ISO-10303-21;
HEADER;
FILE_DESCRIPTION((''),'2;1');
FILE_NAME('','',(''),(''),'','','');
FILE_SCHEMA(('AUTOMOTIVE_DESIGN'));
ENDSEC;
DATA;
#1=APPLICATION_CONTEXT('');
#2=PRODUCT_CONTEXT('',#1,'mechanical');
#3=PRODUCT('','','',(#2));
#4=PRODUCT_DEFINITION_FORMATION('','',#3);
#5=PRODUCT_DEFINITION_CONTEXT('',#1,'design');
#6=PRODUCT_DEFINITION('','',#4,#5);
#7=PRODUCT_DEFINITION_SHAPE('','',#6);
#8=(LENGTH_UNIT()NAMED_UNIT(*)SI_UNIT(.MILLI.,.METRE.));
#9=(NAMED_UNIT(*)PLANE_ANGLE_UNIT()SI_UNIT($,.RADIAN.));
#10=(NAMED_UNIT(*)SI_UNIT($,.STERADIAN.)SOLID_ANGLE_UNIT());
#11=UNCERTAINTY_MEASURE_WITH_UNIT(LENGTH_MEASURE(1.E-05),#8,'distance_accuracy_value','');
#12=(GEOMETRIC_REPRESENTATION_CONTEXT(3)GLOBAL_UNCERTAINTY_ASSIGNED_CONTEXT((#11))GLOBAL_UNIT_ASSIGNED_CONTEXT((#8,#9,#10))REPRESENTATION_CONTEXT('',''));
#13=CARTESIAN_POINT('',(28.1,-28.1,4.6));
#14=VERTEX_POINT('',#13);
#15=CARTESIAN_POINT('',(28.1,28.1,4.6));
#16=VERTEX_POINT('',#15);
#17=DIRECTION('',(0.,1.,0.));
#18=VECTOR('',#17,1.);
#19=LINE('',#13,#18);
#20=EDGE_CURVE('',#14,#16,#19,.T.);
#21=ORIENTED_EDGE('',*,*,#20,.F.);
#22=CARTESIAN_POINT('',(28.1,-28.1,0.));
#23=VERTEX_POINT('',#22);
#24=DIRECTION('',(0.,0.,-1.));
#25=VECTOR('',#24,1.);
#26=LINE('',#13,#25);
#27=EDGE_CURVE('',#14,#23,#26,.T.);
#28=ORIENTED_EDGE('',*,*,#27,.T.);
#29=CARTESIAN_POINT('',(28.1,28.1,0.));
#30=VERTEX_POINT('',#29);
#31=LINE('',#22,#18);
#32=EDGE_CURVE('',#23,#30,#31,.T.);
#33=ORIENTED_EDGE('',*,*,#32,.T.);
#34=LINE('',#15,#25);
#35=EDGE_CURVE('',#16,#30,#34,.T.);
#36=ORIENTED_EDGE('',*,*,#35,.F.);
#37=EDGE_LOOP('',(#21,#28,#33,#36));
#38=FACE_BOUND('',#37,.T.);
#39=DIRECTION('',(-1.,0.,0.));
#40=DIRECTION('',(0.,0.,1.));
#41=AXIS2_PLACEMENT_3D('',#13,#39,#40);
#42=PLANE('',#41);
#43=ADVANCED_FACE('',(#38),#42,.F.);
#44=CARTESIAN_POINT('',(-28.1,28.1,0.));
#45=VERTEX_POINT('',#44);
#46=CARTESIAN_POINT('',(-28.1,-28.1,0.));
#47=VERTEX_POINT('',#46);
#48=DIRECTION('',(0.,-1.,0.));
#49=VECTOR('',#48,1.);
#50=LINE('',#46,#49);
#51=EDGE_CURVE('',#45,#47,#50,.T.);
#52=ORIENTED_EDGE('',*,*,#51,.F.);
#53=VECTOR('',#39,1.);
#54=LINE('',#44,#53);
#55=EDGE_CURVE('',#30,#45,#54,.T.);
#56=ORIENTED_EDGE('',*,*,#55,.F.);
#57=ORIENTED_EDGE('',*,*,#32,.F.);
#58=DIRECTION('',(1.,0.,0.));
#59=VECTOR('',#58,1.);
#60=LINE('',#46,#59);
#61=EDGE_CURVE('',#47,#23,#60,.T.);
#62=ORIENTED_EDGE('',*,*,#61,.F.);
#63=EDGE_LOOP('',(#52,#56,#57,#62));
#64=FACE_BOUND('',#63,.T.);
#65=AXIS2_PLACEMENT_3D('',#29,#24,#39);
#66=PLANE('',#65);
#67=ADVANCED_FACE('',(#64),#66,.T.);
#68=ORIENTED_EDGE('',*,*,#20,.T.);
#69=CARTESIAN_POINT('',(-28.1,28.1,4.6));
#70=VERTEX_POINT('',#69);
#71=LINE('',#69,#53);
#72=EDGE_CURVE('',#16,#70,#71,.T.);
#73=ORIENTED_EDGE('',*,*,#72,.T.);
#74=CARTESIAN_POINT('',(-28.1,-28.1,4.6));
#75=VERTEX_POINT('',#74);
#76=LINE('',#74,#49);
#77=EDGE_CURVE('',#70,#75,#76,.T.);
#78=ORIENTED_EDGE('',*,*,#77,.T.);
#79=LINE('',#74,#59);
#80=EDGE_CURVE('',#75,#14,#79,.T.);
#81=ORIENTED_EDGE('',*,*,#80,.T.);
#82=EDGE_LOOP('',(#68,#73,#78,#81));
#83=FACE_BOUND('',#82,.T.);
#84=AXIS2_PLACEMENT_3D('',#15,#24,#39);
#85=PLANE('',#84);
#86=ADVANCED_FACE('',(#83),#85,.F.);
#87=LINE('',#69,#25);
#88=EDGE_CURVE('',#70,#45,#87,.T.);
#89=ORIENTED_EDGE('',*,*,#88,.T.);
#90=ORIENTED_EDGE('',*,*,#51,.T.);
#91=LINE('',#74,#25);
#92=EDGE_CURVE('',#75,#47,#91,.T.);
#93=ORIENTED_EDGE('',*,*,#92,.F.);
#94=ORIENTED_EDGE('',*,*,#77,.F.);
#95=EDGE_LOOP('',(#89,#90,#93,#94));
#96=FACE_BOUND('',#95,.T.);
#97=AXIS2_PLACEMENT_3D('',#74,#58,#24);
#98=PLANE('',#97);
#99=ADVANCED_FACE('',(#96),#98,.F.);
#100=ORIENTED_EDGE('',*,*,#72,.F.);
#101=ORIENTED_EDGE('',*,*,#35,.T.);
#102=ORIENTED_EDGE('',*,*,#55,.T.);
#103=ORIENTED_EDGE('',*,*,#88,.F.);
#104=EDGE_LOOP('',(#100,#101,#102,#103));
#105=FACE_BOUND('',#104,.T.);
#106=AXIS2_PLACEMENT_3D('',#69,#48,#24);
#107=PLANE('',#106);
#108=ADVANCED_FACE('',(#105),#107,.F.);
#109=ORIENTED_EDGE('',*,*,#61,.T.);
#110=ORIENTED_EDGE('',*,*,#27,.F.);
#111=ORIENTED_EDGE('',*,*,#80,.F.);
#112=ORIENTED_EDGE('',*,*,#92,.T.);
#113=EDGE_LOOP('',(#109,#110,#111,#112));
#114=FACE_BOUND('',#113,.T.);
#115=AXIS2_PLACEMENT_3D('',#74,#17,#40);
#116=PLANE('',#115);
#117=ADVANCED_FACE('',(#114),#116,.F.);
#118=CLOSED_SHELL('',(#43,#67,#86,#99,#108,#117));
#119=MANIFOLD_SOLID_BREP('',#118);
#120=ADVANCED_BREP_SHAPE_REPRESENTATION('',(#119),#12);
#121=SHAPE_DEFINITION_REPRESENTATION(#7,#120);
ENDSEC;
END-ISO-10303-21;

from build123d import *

# Parameters (mm, degrees)
SKETCH1_W           = 56.2
SKETCH1_H           = 56.2
BOSS_EXTRUDE1_DEPTH = 4.6


with BuildPart() as part:
    # Sketch1 → Boss-Extrude1 (new body)
    with BuildSketch(Plane.XY):
        Rectangle(SKETCH1_W, SKETCH1_H)
    extrude(amount=BOSS_EXTRUDE1_DEPTH)


solid = part.part
